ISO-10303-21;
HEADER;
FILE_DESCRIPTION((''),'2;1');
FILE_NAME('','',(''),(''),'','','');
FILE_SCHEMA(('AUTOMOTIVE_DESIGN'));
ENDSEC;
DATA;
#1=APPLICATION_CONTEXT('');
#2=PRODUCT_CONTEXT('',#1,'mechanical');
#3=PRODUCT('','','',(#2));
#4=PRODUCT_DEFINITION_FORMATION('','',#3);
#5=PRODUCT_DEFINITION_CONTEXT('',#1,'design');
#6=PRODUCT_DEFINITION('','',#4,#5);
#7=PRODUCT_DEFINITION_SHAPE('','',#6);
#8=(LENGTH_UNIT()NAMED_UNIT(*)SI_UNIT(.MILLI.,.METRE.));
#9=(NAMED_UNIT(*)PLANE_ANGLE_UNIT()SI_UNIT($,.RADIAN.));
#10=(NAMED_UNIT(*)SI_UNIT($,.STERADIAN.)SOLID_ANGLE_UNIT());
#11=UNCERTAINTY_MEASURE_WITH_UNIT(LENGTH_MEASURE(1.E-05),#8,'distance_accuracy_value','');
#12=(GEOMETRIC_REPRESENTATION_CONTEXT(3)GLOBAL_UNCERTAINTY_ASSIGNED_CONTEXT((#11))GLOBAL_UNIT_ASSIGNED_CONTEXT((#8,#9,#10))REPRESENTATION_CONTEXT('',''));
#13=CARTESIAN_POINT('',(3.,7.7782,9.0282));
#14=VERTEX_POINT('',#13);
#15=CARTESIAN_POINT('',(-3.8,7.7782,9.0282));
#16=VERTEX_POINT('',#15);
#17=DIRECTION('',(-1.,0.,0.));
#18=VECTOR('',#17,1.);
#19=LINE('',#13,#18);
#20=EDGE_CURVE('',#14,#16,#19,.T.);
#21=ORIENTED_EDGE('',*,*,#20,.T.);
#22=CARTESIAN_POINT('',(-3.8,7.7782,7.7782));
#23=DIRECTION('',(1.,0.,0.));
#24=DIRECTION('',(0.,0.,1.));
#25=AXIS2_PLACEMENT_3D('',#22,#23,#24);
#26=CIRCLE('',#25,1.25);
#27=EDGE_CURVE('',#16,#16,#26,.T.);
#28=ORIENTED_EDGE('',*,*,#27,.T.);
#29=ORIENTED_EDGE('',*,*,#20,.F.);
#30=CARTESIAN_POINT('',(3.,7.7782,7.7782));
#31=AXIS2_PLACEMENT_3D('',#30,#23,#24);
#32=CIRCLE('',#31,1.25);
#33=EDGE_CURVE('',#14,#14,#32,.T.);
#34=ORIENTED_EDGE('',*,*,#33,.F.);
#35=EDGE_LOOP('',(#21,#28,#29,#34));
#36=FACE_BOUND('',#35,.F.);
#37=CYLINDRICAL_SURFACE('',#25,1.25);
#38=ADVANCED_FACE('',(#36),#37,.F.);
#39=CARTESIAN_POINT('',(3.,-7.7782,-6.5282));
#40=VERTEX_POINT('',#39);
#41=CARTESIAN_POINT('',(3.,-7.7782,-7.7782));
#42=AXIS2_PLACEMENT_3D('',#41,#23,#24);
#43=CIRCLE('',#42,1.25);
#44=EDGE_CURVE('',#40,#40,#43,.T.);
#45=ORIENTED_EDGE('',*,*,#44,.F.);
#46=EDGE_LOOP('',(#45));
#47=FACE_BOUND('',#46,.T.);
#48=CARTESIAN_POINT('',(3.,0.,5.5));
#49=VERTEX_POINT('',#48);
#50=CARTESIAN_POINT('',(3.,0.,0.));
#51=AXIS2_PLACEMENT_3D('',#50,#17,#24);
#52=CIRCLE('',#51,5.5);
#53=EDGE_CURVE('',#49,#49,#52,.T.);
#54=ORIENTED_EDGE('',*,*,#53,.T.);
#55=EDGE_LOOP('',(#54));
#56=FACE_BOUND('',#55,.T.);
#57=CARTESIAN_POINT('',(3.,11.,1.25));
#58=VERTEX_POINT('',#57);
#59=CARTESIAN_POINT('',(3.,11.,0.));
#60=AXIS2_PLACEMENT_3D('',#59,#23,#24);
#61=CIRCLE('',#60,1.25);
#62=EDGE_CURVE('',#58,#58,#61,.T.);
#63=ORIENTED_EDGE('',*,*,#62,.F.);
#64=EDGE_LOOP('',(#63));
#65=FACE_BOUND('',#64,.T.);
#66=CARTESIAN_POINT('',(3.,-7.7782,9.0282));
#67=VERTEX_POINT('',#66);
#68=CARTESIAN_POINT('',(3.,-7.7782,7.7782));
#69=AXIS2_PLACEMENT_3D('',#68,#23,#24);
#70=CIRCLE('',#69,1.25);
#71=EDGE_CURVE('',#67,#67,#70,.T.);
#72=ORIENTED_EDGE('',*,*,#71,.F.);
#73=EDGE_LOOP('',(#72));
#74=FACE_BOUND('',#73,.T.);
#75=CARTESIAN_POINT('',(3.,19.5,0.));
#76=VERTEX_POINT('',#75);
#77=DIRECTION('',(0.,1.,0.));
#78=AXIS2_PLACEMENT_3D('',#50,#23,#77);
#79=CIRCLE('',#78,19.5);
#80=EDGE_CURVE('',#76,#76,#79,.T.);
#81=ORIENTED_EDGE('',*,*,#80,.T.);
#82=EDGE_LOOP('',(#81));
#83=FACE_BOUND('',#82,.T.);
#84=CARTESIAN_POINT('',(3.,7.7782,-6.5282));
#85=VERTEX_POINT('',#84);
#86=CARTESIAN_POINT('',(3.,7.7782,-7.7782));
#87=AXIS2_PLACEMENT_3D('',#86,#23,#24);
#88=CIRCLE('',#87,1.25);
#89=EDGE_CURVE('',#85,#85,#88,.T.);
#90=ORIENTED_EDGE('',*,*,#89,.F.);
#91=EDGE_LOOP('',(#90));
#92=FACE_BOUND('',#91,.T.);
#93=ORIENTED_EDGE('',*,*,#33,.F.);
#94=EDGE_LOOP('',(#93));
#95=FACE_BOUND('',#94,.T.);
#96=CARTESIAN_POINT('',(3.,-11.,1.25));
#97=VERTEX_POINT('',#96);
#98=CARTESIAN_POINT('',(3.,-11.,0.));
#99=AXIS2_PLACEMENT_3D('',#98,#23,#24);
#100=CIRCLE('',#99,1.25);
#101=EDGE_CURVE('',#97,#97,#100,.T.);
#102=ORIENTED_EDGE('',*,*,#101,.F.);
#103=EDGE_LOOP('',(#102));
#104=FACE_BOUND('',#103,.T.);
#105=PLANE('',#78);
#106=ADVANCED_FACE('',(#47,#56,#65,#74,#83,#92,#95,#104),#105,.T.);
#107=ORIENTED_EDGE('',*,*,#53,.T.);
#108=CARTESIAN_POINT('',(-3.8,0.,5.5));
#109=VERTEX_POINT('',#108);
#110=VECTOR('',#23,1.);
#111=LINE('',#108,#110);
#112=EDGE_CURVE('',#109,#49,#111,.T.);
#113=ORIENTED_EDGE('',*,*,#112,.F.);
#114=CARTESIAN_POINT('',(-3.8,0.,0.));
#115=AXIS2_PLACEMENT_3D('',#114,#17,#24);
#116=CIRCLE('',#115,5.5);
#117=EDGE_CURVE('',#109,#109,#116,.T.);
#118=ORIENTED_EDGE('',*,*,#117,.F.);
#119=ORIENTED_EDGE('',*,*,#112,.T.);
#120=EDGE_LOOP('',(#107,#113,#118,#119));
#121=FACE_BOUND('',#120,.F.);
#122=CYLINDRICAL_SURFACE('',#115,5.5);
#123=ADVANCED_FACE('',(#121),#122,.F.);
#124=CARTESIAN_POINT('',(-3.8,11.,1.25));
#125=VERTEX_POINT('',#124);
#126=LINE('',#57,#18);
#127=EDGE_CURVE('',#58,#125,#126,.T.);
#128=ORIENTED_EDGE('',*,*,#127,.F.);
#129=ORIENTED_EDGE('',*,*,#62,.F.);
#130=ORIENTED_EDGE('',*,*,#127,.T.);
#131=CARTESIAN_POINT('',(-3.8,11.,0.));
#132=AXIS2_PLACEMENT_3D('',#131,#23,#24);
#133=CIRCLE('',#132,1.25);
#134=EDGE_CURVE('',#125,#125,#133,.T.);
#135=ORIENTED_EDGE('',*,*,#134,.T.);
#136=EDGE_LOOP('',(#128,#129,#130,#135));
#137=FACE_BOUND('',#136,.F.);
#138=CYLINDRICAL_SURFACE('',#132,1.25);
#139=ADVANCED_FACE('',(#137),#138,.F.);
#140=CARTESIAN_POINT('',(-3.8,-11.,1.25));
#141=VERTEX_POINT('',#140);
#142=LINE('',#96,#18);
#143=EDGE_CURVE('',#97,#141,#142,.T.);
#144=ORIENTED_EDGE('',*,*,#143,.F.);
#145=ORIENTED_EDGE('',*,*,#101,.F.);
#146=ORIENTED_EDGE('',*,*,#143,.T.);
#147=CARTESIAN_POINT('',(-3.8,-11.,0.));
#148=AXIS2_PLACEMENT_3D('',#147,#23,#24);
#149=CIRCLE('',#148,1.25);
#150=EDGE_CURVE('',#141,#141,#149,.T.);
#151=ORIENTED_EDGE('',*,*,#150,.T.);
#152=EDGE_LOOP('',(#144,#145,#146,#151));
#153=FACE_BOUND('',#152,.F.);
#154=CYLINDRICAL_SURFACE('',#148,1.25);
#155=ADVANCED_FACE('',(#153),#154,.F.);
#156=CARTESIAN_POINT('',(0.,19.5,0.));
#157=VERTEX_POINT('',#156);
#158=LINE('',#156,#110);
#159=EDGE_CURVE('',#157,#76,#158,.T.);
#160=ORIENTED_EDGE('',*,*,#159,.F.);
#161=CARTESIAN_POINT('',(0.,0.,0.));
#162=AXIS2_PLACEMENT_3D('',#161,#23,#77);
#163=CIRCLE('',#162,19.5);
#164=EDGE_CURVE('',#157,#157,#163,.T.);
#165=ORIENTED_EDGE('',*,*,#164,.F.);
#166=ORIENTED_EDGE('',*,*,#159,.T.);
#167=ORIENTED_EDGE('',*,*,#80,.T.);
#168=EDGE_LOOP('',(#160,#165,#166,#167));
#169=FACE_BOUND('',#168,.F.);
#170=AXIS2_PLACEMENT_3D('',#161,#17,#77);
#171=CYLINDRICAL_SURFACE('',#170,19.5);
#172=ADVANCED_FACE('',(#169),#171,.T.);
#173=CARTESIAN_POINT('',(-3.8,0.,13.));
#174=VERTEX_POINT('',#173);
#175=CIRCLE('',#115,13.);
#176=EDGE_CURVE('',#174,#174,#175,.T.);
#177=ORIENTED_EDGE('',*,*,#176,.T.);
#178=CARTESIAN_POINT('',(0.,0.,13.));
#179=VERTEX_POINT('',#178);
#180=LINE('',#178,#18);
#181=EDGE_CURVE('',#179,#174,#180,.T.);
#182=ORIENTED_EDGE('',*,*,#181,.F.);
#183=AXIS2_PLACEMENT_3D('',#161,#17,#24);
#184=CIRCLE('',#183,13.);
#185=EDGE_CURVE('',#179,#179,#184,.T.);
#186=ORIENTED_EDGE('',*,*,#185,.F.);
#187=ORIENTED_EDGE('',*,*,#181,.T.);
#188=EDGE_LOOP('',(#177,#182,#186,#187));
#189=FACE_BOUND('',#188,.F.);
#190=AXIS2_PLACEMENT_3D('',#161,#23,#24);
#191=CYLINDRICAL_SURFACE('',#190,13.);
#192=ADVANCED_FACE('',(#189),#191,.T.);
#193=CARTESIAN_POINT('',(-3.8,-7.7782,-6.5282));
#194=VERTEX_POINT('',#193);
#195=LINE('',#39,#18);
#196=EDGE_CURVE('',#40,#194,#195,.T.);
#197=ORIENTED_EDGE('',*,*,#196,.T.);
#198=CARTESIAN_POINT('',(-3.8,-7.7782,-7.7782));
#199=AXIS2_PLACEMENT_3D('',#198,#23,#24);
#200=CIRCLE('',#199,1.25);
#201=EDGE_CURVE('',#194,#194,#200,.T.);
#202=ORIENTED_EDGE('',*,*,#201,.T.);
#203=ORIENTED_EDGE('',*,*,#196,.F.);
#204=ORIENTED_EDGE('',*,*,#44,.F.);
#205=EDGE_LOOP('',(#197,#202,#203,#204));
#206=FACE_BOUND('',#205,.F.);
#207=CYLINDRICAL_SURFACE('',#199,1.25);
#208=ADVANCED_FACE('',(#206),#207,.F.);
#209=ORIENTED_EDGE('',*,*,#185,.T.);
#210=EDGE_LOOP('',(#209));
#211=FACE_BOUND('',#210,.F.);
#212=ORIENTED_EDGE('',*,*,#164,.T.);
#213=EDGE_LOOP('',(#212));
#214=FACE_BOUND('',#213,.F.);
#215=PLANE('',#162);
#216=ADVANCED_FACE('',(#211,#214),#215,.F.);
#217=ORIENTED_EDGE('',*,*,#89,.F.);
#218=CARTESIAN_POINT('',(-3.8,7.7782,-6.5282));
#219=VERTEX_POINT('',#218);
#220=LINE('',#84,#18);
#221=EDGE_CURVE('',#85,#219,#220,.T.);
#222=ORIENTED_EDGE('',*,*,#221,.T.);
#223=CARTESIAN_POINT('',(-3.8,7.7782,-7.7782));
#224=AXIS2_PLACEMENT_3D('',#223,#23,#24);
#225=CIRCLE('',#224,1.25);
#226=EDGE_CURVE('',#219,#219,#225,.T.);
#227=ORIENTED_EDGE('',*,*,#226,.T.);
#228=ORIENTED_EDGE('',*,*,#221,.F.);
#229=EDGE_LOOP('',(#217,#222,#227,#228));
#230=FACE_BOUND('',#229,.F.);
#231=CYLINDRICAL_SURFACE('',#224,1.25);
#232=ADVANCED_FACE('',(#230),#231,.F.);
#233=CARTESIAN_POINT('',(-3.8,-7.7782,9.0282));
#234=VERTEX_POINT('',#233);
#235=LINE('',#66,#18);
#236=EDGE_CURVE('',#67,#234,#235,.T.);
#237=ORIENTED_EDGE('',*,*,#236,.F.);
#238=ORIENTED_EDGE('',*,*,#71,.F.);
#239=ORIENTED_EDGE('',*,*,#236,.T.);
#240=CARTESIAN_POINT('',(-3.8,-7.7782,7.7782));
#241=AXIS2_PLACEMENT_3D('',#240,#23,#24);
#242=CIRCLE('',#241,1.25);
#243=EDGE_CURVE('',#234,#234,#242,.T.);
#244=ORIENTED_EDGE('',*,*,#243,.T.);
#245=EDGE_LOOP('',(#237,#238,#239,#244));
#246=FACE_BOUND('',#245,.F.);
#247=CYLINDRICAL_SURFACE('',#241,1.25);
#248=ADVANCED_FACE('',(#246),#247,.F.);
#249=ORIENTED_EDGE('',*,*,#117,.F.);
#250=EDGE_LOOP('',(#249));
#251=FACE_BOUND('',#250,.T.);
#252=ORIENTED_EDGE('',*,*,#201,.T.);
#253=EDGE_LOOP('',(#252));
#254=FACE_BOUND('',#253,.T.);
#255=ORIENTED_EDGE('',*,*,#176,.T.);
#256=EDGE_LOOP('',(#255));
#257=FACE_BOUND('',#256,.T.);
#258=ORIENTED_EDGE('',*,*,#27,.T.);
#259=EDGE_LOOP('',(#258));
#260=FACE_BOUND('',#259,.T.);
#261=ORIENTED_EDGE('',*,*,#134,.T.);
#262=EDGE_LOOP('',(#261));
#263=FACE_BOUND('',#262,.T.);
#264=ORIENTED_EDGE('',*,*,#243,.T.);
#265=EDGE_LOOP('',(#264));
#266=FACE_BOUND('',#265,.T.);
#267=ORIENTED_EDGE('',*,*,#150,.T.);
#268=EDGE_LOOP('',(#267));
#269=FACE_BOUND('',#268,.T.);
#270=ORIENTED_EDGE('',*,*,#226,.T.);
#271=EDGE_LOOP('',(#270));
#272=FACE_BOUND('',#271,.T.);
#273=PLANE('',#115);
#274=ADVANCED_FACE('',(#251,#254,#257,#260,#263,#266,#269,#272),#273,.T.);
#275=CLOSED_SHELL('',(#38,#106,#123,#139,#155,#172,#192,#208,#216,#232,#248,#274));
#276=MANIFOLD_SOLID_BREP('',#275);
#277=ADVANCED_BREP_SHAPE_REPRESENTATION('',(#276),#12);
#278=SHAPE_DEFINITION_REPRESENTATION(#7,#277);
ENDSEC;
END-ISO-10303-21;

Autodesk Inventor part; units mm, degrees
ref_plane "YZ Plane" through (0, 0, 0) normal (1, 0, 0) x (0, 1, 0)
ref_plane "XZ Plane" through (0, 0, 0) normal (0, 1, 0) x (-1, 0, 0)
ref_plane "XY Plane" through (0, 0, 0) normal (0, 0, 1) x (1, 0, 0)
sketch "スケッチ1" plane through (0, 0, 0) normal (1, 0, 0) x (0, 1, 0)
  circle A0 centre (0, 0) radius 19.5
  dimension "d0" = 39
extrude "押し出し1" add sketch "スケッチ1" along normal blind 3
sketch "スケッチ2" plane through (0, 0, 0) normal (-1, 0, 0) x (0, 0, 1)
  circle A0 centre (0, 0) radius 11
  point P0 (0, 11)
  point P1 (-7.7782, 7.7782)
  point P2 (-11, 0)
  point P3 (-7.7782, -7.7782)
  point P4 (0, -11)
  point P5 (7.7782, -7.7782)
  point P6 (11, 0)
  point P7 (7.7782, 7.7782)
  dimension "d3" = 22
  dimension "d6" = 360
hole "穴1" at (0, 7.7782, -7.7782) at (0, 11, 0) at (0, 7.7782, 7.7782) at (0, -7.7782, 7.7782) at (0, -11, 0) at (0, -7.7782, -7.7782) direction (1, 0, 0) diameter 2.5 end through all
sketch "スケッチ3" plane through (3, 0, 0) normal (1, 0, 0) x (0, 0, -1)
  circle A0 centre (-7.7782, 7.7782) radius 1.25 projected
  circle A1 centre (0, 11) radius 1.25 projected
  circle A2 centre (7.7782, 7.7782) radius 1.25 projected
  circle A3 centre (7.7782, -7.7782) radius 1.25 projected
  circle A4 centre (0, -11) radius 1.25 projected
  circle A5 centre (-7.7782, -7.7782) radius 1.25 projected
  point P0 (0, 0)
hole "穴2" [suppressed]
sketch "スケッチ4" plane through (0, 0, 0) normal (-1, 0, 0) x (0, 0, 1)
  circle A0 centre (0, 0) radius 19.5 projected
  circle A1 centre (0, 0) radius 13
  dimension "d22" = 26
extrude "押し出し2" add sketch "スケッチ4" along normal blind 3.8 contours A1
sketch "スケッチ5" plane through (-3.8, 0, 0) normal (-1, 0, 0) x (0, 0, 1)
  point P0 (0, 0)
  point P1 (0, 11)
  point P2 (0, 11)
  point P3 (-7.7782, 7.7782)
  point P4 (-11, 0)
  point P5 (-7.7782, -7.7782)
  point P6 (0, -11)
  point P7 (7.7782, -7.7782)
  point P8 (11, 0)
  point P9 (7.7782, 7.7782)
  dimension "d27" = 360
hole "穴3" at (-3.8, 11, 0) at (-3.8, 7.7782, -7.7782) at (-3.8, 7.7782, 7.7782) at (-3.8, -7.7782, 7.7782) at (-3.8, -11, 0) at (-3.8, -7.7782, -7.7782) direction (1, 0, 0) diameter 2.5 end through all
sketch "スケッチ6" plane through (-3.8, 0, 0) normal (-1, 0, 0) x (0, 0, 1)
  circle A0 centre (0, 0) radius 5.5
  dimension "d36" = 11
extrude "押し出し3" cut sketch "スケッチ6" against normal blind 10
properties part number "connectplate5" material "アルミニウム 6061"
